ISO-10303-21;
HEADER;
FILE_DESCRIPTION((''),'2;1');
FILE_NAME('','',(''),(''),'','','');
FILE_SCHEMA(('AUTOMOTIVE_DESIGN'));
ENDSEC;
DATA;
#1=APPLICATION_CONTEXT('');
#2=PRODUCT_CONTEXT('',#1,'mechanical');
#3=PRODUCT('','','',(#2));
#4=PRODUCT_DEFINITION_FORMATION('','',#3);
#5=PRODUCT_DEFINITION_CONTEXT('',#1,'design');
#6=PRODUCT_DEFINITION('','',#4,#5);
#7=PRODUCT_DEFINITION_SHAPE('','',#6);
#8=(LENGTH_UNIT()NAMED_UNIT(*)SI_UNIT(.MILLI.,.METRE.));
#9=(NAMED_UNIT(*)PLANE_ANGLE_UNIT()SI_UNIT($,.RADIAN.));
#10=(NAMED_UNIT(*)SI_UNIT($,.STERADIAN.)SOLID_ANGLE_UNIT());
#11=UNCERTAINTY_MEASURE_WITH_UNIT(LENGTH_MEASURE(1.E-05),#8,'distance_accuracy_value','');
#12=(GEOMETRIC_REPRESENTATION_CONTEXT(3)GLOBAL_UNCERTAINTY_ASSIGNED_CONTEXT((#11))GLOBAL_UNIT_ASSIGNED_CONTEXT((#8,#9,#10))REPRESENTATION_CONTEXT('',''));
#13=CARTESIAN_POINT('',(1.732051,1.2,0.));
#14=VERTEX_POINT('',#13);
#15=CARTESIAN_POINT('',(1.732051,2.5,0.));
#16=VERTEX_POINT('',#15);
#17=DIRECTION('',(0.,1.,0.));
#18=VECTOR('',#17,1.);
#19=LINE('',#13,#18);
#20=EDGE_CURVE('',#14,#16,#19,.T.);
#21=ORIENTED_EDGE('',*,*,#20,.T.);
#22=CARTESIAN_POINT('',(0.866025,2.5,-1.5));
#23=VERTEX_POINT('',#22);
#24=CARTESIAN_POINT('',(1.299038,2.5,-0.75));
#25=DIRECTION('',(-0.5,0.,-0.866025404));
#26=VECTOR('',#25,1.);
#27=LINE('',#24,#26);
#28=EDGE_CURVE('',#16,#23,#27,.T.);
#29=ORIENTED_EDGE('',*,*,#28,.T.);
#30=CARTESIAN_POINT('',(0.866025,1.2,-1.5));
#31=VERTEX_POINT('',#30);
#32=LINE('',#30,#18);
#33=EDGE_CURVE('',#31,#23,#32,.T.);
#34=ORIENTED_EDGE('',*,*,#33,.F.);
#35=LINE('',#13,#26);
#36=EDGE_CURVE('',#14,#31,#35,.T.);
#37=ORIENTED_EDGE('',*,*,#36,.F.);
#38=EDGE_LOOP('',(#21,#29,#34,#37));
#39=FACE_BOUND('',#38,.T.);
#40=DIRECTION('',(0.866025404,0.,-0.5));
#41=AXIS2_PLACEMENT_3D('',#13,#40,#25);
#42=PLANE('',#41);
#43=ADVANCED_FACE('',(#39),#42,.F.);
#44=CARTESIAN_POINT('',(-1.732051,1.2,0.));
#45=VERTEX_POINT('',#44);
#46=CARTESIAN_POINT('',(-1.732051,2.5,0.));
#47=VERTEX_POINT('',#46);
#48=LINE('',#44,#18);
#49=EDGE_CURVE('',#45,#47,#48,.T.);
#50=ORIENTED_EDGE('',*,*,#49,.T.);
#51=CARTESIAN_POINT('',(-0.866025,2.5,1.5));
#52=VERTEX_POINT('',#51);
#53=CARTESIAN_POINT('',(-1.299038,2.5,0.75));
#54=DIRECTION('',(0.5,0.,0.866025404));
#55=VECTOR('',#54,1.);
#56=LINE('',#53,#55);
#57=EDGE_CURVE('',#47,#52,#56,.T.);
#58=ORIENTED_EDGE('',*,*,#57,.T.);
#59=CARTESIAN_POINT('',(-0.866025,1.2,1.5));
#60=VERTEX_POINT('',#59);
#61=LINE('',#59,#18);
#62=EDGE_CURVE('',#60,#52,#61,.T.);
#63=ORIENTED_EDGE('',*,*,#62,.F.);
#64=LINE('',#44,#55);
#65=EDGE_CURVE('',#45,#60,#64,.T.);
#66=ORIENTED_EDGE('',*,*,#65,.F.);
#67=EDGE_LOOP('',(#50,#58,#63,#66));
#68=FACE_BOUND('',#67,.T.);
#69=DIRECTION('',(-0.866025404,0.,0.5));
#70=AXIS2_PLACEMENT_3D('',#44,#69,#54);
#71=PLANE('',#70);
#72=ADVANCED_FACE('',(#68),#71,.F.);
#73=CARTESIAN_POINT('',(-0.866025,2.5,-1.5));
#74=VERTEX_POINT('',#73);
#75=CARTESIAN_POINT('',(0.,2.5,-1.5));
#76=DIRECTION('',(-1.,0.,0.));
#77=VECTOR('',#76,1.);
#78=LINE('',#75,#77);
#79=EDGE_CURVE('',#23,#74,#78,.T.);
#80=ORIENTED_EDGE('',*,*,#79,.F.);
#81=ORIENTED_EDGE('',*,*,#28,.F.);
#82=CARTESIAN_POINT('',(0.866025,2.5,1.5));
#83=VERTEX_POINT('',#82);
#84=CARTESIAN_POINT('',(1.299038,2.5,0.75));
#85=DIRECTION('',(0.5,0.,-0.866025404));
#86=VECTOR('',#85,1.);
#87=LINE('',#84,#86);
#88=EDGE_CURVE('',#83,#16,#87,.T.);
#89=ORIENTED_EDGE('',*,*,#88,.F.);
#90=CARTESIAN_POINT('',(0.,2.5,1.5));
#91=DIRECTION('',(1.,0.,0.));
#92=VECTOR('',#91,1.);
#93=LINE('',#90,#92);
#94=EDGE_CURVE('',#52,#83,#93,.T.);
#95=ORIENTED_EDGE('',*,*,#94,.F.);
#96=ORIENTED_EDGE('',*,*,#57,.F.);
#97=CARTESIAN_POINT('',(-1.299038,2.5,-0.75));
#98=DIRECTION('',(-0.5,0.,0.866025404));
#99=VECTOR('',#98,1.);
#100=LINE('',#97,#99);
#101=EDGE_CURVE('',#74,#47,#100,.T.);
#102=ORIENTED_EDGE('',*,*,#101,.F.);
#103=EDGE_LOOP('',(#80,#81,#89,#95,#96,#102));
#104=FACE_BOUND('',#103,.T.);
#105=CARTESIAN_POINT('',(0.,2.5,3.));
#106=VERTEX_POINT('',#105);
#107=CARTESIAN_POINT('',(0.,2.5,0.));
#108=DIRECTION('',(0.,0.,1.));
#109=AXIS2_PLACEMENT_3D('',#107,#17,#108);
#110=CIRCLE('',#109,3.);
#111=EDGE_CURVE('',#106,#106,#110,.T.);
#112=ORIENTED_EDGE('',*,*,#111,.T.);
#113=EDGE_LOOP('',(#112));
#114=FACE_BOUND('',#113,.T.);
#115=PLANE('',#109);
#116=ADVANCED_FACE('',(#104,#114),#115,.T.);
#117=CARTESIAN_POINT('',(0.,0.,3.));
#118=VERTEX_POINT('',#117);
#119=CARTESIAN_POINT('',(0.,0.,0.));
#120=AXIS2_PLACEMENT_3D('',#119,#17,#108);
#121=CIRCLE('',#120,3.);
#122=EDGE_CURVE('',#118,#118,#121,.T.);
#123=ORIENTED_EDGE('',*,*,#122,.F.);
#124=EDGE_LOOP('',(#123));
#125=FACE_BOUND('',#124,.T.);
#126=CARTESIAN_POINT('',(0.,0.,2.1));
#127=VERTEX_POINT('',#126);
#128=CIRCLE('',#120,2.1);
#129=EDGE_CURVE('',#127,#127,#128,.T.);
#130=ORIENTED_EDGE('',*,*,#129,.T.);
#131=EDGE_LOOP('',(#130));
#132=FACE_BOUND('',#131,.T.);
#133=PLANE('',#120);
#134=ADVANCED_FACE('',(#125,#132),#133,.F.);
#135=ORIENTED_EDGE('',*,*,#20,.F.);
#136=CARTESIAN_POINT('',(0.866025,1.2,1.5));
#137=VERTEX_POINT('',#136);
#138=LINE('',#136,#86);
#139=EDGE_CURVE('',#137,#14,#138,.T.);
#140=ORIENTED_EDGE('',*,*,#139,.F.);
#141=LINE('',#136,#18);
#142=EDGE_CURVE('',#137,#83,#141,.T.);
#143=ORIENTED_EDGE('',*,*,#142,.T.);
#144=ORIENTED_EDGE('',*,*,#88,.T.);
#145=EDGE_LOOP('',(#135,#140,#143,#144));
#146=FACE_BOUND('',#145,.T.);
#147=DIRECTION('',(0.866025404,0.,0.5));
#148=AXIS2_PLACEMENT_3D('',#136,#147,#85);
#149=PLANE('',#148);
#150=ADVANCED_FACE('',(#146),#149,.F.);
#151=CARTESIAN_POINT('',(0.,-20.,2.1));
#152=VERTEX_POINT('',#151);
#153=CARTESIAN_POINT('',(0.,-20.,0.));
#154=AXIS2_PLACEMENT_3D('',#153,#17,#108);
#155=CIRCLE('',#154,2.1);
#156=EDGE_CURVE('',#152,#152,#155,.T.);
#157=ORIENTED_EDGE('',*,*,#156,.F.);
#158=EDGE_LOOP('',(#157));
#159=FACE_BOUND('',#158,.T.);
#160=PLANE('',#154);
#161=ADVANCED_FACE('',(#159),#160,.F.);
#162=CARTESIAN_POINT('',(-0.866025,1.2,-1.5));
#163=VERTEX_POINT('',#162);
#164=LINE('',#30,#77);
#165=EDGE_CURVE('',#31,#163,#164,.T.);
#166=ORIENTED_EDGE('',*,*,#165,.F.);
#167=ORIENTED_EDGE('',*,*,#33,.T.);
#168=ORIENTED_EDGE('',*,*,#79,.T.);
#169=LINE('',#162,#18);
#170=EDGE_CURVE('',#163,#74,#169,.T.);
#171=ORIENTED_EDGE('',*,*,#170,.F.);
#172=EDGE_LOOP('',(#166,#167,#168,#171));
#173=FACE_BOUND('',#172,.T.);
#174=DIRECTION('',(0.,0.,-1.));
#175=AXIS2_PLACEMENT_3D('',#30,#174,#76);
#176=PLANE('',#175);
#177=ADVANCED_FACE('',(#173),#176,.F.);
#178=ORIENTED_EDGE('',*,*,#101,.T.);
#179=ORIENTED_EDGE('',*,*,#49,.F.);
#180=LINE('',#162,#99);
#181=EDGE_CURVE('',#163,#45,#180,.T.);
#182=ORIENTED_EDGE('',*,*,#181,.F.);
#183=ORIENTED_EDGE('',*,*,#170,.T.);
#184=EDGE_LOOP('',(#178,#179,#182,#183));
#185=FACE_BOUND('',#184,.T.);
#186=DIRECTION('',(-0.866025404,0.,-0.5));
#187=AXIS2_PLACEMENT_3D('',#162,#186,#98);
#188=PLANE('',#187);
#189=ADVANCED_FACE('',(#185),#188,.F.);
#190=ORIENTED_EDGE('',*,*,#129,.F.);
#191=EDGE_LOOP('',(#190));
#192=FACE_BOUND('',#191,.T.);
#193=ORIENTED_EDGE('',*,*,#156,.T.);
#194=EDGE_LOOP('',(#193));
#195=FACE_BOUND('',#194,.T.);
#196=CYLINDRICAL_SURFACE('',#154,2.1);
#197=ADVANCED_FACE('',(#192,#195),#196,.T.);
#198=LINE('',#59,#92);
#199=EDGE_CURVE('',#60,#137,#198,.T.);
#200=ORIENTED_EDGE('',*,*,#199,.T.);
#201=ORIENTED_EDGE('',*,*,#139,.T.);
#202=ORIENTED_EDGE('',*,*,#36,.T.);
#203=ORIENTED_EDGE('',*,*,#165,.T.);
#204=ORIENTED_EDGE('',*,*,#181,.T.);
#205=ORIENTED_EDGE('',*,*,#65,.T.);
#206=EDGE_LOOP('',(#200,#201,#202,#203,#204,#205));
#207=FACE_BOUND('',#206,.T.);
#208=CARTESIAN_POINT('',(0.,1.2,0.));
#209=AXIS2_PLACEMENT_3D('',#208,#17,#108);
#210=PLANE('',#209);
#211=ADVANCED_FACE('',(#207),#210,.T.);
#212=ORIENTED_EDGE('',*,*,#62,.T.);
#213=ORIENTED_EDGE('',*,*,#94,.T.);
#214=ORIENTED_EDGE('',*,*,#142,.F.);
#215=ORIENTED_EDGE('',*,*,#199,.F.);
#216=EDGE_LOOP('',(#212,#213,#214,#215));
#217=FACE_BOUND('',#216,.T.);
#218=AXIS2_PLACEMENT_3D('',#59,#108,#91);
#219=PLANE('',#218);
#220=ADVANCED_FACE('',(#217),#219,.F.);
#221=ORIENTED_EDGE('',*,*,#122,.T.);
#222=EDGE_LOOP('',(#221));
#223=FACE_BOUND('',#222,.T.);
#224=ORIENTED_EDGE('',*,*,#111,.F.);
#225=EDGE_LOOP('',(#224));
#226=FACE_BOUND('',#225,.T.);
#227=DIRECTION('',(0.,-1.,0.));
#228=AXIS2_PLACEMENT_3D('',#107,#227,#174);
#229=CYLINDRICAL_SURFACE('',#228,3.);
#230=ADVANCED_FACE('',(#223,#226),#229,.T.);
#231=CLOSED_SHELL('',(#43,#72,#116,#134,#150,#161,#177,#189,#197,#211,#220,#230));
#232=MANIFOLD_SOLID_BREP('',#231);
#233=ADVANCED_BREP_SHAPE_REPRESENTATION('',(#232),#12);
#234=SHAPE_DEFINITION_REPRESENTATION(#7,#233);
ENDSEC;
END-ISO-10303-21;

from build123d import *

# Parameters (mm, degrees)
CROQUIS1_R              = 3
SALIENTE_EXTRUIR1_DEPTH = 2.5
CROQUIS2_R              = 2.1
SALIENTE_EXTRUIR2_DEPTH = 20
CORTAR_EXTRUIR1_DEPTH   = 2.5


with BuildPart() as part:
    # Croquis1 → Saliente-Extruir1 (new body)
    with BuildSketch(Plane(origin=(0, 0, 0), x_dir=(1, 0, 0), z_dir=(0, 1, 0))):
        Circle(CROQUIS1_R)
    extrude(amount=SALIENTE_EXTRUIR1_DEPTH)

    # Croquis2 → Saliente-Extruir2 (add)
    with BuildSketch(Plane(origin=(0, 0, 0), x_dir=(1, 0, 0), z_dir=(0, 1, 0))):
        Circle(CROQUIS2_R)
    extrude(amount=-SALIENTE_EXTRUIR2_DEPTH)

    # Croquis4 → Cortar-Extruir1 (cut)
    with BuildSketch(Plane(origin=(0, 3.7, 0), x_dir=(1, 0, 0), z_dir=(0, 1, 0))):
        Polygon((1.732050808, 0), (0.866025404, 1.5), (-0.866025404, 1.5), (-1.732050808, 0), (-0.866025404, -1.5), (0.866025404, -1.5), align=None)
    extrude(amount=-CORTAR_EXTRUIR1_DEPTH, mode=Mode.SUBTRACT)


solid = part.part
